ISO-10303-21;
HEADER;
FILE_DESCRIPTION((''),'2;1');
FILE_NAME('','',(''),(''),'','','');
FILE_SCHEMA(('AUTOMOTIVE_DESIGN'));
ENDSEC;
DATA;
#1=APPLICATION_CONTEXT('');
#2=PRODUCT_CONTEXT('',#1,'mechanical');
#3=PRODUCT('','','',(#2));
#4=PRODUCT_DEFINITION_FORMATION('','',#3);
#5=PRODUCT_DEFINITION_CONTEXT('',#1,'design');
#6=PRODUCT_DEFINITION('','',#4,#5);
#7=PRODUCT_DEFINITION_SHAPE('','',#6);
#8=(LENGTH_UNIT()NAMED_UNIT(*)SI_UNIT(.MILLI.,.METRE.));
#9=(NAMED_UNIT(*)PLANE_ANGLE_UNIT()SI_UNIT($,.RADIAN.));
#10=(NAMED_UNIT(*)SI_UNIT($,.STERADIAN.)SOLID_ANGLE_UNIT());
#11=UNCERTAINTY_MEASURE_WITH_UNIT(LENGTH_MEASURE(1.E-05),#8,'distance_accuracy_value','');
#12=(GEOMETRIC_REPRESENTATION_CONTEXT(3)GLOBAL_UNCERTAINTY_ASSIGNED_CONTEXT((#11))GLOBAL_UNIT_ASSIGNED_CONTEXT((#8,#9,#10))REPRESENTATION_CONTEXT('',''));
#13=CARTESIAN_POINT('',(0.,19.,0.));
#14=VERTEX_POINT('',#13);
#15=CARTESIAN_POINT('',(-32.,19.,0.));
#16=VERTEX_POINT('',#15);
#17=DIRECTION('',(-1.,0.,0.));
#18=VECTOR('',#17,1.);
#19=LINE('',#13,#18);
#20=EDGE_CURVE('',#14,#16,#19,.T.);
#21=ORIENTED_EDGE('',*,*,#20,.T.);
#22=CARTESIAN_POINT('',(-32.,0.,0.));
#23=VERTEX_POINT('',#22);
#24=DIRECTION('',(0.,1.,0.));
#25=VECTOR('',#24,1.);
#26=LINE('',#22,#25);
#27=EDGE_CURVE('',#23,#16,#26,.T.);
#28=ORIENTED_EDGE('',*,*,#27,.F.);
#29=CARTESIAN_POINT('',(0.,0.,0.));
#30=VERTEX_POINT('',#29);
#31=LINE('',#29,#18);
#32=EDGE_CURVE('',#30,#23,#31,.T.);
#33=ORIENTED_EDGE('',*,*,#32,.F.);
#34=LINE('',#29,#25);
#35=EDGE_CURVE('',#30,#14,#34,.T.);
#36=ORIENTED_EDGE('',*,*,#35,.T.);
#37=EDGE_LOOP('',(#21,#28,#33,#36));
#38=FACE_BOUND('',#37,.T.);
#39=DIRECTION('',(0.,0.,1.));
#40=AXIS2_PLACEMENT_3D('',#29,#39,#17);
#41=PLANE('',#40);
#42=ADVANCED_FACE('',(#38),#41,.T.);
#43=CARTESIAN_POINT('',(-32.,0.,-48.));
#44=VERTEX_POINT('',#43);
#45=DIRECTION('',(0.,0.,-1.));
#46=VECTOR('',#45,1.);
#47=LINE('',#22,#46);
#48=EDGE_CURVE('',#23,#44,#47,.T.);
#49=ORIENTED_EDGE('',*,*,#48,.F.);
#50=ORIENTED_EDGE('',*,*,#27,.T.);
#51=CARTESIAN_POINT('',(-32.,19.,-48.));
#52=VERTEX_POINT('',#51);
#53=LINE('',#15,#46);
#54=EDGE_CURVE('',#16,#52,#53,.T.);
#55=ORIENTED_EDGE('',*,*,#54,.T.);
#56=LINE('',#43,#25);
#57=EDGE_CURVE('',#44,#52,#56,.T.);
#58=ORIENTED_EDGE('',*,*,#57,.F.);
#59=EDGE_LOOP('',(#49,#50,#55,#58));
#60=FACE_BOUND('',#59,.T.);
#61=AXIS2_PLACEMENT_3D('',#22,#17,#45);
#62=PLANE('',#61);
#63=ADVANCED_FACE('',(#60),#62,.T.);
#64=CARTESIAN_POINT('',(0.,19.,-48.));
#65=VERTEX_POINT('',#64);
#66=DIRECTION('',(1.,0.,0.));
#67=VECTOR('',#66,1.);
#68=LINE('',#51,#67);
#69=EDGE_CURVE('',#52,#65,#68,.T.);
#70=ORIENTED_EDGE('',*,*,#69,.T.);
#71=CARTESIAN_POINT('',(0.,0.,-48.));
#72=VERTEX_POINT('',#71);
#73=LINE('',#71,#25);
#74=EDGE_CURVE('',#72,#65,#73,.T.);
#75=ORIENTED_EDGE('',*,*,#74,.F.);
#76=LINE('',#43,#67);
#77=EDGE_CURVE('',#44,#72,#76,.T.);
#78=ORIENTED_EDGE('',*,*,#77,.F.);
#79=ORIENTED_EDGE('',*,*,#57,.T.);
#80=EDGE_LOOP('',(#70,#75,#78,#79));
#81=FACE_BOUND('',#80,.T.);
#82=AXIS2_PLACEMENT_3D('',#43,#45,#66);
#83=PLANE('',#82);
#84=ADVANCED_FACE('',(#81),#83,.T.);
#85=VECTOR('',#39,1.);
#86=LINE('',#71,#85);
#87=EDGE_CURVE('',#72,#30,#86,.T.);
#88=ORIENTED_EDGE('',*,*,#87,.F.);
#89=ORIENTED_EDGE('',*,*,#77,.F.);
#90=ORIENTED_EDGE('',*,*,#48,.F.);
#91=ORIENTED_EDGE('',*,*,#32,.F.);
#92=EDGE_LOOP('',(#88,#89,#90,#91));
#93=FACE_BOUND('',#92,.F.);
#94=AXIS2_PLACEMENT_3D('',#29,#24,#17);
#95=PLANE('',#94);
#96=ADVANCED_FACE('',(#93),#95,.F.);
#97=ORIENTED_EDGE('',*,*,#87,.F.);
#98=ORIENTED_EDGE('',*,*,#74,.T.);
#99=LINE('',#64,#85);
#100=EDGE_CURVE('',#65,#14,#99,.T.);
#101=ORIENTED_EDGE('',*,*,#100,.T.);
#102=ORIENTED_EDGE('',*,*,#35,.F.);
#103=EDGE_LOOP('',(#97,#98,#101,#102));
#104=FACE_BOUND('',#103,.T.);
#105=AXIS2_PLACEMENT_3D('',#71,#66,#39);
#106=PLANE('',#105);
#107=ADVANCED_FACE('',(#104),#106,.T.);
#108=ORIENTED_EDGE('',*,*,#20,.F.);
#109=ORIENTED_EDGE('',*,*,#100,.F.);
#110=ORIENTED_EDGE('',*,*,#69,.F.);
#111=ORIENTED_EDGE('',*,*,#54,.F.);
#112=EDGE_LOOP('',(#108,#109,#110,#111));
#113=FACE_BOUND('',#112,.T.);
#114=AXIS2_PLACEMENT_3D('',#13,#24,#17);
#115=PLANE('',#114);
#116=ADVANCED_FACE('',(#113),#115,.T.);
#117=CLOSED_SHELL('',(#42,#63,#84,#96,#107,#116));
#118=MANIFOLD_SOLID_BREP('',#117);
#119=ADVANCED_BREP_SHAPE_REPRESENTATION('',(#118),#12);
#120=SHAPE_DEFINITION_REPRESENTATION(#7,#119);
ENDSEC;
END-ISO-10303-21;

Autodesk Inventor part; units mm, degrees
ref_plane "YZ Plane" through (0, 0, 0) normal (1, 0, 0) x (0, 1, 0)
ref_plane "XZ Plane" through (0, 0, 0) normal (0, 1, 0) x (-1, 0, 0)
ref_plane "XY Plane" through (0, 0, 0) normal (0, 0, 1) x (1, 0, 0)
sketch "Sketch1" plane through (0, 0, 0) normal (0, 1, 0) x (-1, 0, 0)
  line L0 (0, 0) -> (32, 0)
  line L1 (32, 0) -> (32, -48)
  line L2 (32, -48) -> (0, -48)
  line L3 (0, -48) -> (0, 0)
  dimension "d0" = 48
  dimension "d1" = 32
extrude "Extrusion1" add sketch "Sketch1" along normal blind 19
properties part number "5V Power Supply"
